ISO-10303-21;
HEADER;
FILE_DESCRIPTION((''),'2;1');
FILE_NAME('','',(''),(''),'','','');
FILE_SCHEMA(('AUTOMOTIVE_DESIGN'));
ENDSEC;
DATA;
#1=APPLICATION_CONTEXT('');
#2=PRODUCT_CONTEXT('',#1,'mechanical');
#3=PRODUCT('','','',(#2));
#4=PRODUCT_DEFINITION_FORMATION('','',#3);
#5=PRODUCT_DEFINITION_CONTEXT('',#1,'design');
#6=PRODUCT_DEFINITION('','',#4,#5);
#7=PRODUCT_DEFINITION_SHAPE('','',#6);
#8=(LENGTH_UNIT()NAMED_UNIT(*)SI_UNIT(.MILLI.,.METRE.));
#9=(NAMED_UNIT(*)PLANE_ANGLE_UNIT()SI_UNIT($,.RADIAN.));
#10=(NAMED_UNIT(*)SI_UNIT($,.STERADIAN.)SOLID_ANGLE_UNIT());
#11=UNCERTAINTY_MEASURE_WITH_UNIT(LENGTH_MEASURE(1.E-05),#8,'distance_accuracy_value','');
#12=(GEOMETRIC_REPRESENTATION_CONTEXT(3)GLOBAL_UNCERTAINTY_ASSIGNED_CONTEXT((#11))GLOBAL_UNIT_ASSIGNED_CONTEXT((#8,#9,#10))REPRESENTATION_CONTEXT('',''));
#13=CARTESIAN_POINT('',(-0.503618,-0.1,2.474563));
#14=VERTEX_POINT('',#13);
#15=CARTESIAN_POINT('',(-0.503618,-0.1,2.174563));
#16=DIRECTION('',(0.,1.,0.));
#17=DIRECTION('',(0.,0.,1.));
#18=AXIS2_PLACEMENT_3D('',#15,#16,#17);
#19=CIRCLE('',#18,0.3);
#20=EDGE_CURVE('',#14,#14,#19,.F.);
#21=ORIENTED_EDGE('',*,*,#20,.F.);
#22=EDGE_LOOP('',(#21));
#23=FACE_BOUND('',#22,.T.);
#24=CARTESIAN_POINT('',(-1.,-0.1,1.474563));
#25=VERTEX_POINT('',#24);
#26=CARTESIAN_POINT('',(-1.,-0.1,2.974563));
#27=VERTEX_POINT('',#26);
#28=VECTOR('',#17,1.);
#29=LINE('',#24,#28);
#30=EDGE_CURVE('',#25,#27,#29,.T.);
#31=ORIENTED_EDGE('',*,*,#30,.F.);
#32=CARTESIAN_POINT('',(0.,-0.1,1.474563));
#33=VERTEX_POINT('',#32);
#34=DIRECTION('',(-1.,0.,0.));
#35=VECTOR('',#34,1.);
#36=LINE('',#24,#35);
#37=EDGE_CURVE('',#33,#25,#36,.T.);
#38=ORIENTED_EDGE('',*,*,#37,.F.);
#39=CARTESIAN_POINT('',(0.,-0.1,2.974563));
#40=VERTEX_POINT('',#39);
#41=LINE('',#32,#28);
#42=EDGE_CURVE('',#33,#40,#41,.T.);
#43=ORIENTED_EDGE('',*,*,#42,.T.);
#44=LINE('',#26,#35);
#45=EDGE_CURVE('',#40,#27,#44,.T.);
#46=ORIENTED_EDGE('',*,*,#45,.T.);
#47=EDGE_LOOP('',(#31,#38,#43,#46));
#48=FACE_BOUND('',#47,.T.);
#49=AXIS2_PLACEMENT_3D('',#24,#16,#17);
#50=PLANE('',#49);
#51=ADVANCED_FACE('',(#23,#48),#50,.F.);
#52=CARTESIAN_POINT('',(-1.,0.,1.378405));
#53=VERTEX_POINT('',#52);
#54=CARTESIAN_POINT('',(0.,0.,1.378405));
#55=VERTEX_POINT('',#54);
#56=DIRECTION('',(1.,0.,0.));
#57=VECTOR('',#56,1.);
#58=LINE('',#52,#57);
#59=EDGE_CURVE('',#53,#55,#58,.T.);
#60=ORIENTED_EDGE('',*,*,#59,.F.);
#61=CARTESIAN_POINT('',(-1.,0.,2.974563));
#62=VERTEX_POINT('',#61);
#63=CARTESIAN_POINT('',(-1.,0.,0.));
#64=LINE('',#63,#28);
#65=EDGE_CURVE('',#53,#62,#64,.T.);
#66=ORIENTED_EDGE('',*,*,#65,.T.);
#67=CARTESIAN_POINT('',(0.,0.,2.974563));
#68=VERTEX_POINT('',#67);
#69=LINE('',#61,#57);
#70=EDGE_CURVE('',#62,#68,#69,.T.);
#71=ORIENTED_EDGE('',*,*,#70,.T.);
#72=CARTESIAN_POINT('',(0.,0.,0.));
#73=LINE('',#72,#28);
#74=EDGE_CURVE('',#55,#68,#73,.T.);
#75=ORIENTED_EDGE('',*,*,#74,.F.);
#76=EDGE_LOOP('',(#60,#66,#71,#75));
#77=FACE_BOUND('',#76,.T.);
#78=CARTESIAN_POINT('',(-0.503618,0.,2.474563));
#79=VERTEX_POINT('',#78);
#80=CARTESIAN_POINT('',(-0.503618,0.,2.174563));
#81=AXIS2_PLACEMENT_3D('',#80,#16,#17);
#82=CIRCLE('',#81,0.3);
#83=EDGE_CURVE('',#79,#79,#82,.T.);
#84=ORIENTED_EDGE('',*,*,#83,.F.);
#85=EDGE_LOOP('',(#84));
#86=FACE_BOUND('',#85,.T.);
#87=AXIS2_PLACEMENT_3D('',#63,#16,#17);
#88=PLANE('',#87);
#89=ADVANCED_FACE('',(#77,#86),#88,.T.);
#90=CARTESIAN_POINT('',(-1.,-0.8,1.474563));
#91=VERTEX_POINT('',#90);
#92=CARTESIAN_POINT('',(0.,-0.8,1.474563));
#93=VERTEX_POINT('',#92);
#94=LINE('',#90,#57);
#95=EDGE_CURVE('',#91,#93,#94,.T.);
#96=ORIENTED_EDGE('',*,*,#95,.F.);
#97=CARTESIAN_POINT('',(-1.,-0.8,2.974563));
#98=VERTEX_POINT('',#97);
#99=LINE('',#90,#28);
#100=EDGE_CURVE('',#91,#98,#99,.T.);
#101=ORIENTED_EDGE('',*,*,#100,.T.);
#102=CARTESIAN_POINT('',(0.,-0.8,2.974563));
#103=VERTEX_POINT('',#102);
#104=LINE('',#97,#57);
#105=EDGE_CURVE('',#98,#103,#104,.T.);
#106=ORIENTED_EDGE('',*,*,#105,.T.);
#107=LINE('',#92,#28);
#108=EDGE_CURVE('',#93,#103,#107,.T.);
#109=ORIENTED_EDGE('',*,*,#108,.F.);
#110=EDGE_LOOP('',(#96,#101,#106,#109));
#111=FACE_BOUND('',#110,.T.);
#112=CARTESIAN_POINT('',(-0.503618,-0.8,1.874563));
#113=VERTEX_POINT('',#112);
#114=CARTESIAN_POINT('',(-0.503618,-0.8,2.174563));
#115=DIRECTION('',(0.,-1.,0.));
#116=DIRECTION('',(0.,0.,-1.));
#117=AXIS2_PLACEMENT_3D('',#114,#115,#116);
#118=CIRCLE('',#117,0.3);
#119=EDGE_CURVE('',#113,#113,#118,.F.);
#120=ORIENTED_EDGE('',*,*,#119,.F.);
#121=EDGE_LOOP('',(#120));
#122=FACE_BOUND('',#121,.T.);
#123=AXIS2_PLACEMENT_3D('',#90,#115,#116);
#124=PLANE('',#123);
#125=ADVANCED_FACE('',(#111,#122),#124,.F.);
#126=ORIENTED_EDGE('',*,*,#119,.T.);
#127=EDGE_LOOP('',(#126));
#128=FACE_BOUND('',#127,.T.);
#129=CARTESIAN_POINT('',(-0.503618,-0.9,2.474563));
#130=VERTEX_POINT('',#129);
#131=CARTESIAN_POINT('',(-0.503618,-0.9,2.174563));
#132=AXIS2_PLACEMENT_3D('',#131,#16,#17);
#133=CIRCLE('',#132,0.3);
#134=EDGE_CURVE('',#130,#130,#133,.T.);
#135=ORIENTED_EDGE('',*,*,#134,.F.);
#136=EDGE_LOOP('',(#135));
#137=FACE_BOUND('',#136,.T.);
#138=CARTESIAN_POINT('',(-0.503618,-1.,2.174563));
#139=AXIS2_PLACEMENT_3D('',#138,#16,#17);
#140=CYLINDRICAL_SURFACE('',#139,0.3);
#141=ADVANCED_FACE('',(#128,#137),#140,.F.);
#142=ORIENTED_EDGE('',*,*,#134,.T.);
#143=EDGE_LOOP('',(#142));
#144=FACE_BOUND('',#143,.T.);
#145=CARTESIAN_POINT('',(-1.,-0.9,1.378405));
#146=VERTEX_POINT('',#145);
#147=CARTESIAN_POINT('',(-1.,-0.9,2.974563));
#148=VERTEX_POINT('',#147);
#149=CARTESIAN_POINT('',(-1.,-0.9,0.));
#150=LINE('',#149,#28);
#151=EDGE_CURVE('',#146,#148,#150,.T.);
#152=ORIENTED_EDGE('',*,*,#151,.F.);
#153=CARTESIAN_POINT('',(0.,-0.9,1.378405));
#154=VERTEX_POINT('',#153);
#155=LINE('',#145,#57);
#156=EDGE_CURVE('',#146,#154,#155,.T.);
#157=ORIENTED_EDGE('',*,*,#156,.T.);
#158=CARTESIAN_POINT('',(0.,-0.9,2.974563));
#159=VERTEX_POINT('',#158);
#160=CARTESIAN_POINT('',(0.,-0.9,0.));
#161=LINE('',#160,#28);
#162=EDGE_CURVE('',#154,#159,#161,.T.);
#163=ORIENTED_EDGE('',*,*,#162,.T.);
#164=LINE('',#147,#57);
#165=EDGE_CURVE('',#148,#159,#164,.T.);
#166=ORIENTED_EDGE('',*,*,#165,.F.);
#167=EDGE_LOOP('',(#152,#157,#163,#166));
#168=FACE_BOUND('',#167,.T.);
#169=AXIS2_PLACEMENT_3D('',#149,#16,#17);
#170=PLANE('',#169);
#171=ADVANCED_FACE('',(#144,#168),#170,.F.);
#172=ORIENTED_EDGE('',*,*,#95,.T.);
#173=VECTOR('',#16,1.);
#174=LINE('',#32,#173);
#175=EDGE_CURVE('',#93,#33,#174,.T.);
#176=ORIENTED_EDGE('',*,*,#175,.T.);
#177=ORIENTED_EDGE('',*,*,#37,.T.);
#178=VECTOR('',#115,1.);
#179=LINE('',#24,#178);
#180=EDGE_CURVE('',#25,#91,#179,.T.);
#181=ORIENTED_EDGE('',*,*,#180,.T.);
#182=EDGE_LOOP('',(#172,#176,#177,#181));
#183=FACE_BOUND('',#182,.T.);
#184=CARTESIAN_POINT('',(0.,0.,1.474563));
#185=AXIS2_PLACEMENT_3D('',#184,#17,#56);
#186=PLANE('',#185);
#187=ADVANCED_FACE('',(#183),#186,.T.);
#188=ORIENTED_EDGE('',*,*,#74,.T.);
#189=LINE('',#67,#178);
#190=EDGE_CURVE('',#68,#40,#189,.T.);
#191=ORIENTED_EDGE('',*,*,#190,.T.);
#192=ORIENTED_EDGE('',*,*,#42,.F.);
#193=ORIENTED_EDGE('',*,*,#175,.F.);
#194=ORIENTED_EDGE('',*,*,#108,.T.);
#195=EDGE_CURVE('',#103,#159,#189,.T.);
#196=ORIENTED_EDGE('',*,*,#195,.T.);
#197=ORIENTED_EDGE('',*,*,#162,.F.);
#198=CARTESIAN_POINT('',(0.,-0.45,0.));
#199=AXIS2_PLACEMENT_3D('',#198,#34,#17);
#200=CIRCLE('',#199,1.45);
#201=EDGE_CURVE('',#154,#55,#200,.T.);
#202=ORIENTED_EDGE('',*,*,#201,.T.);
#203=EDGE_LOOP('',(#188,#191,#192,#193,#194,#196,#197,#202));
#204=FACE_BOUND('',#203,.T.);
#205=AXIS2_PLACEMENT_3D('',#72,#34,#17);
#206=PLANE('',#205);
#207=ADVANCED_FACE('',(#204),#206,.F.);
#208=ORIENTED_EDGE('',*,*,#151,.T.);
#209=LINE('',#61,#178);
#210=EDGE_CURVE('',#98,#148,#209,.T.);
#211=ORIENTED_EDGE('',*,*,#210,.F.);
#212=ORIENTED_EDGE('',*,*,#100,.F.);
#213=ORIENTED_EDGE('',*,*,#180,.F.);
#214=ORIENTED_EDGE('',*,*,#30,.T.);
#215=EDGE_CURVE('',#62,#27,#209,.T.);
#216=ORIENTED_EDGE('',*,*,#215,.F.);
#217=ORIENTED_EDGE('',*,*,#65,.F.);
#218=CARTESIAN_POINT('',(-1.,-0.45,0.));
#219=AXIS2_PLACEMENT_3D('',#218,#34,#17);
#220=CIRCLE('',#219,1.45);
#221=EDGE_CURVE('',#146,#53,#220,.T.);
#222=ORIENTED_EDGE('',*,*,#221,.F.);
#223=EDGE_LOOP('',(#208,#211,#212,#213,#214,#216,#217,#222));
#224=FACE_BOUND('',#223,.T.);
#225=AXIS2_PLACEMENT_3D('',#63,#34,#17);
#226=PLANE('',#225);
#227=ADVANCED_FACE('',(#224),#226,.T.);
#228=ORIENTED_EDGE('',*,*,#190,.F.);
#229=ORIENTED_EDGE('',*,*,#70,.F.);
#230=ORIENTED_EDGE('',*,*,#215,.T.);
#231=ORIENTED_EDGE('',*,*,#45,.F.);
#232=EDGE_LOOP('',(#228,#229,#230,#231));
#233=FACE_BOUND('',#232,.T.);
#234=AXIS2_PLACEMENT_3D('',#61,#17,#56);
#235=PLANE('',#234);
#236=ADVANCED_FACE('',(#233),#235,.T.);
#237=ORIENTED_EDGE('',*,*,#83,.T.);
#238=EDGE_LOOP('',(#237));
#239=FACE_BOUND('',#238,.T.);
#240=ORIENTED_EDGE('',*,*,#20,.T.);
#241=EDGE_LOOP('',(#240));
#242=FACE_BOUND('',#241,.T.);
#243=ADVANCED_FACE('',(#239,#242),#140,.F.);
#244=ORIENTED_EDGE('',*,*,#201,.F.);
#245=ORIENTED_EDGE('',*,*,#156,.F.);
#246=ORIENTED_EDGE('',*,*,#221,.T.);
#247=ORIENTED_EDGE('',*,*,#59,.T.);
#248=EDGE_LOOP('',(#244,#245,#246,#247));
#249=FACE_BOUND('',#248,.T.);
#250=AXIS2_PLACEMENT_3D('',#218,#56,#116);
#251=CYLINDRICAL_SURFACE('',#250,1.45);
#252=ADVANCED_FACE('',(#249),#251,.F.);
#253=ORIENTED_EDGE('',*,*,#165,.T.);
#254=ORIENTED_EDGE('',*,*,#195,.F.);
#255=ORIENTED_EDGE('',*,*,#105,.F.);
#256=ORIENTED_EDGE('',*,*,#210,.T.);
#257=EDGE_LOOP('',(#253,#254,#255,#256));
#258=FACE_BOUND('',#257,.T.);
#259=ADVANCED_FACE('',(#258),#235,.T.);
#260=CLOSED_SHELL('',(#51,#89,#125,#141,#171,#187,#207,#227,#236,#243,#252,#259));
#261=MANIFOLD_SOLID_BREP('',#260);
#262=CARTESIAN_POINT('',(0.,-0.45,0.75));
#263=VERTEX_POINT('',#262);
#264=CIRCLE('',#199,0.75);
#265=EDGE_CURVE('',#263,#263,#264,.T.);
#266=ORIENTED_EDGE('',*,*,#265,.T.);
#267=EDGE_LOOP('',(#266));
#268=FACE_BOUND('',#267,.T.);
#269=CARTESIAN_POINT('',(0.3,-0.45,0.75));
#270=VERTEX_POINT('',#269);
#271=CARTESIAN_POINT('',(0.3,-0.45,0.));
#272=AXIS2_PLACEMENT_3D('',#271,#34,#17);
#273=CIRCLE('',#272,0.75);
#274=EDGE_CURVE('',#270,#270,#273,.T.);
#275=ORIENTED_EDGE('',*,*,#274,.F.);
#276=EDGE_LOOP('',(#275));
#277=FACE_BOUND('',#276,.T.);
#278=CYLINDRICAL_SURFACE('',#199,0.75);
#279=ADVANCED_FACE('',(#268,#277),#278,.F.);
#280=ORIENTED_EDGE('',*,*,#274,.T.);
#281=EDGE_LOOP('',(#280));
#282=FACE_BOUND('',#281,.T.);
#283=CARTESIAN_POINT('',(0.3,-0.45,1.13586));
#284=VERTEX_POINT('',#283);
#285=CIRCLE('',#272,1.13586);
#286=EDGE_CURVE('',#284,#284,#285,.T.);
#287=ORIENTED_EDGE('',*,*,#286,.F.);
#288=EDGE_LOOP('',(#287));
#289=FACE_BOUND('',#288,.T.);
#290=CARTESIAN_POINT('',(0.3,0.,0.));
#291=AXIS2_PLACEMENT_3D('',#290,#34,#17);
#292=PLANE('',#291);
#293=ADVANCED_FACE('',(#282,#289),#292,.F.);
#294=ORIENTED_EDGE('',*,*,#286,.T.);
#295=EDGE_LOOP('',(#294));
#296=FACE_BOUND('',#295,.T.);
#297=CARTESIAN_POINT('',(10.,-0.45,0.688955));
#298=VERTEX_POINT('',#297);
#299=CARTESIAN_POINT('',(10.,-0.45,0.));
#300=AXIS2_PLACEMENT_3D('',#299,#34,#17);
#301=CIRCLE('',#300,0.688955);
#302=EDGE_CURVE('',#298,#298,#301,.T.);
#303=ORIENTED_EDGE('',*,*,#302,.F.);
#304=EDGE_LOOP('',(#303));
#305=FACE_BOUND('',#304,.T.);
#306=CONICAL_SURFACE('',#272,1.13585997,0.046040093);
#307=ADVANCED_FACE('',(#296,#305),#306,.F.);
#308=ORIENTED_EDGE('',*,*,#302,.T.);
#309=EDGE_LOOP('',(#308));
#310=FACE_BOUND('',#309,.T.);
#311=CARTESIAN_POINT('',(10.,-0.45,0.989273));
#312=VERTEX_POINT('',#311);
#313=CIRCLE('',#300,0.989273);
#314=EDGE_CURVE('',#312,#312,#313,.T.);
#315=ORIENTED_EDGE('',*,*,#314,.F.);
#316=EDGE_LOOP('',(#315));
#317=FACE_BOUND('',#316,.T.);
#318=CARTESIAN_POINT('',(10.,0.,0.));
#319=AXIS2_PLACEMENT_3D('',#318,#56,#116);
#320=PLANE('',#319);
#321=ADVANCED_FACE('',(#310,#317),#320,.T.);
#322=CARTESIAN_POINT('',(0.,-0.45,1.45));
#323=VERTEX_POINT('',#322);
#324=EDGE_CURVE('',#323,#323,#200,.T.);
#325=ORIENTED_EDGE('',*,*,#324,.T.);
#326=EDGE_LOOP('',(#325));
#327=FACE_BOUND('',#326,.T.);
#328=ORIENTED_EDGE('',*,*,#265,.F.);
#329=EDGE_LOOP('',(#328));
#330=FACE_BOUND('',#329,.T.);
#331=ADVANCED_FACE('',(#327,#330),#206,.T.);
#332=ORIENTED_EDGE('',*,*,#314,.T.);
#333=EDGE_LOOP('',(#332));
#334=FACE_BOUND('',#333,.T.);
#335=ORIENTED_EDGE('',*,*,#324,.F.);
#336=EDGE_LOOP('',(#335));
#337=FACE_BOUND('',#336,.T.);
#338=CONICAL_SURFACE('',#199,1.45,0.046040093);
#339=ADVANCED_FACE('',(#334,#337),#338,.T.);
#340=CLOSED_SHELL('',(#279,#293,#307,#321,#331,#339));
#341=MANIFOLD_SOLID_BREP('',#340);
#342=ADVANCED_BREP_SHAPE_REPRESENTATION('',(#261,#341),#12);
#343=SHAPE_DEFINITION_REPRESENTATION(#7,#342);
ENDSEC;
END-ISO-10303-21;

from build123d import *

# Parameters (mm, degrees)
BOSS_EXTRUDE1_DEPTH = 1
SKETCH5_R           = 0.3
CUT_EXTRUDE2_DEPTH  = 1
SKETCH6_W           = 1
SKETCH6_H           = 0.7
CUT_EXTRUDE3_DEPTH  = 1.5


with BuildPart() as part:
    # Sketch2 → Revolve2 (revolve)
    with BuildSketch(Plane.XY):
        Polygon((0, 1), (0, 0.3), (0.3, 0.3), (0.3, 0.68585997), (10, 0.238955255), (10, 0.539273489), align=None)
    revolve(axis=Axis((0, -0.45, 0), (1, 0, 0)))


with BuildPart() as body_2:
    # Sketch3 → Boss-Extrude1 (new body)
    with BuildSketch(Plane.ZY):
        with BuildLine():
            Line((2.974562536, 0), (1.378404875, 0))
            ThreePointArc((1.378404875, 0), (1.431989363, -0.222170095), (1.45, -0.45))
            ThreePointArc((1.45, -0.45), (1.431989363, -0.677829905), (1.378404875, -0.9))
            Line((1.378404875, -0.9), (2.974562536, -0.9))
            Line((2.974562536, -0.9), (2.974562536, 0))
        make_face()
    extrude(amount=BOSS_EXTRUDE1_DEPTH)

    # Sketch5 → Cut-Extrude2 (cut)
    with BuildSketch(Plane(origin=(0, 0, 0), x_dir=(1, 0, 0), z_dir=(0, 1, 0))):
        with Locations((-0.50361821, -2.174562536)):
            Circle(SKETCH5_R)
    extrude(amount=-CUT_EXTRUDE2_DEPTH, mode=Mode.SUBTRACT)

    # Sketch6 → Cut-Extrude3 (cut)
    with BuildSketch(Plane.XY.offset(2.974562536)):
        with Locations((-0.5, -0.45)):
            Rectangle(SKETCH6_W, SKETCH6_H)
    extrude(amount=-CUT_EXTRUDE3_DEPTH, mode=Mode.SUBTRACT)


solid = Compound([part.part, body_2.part])
